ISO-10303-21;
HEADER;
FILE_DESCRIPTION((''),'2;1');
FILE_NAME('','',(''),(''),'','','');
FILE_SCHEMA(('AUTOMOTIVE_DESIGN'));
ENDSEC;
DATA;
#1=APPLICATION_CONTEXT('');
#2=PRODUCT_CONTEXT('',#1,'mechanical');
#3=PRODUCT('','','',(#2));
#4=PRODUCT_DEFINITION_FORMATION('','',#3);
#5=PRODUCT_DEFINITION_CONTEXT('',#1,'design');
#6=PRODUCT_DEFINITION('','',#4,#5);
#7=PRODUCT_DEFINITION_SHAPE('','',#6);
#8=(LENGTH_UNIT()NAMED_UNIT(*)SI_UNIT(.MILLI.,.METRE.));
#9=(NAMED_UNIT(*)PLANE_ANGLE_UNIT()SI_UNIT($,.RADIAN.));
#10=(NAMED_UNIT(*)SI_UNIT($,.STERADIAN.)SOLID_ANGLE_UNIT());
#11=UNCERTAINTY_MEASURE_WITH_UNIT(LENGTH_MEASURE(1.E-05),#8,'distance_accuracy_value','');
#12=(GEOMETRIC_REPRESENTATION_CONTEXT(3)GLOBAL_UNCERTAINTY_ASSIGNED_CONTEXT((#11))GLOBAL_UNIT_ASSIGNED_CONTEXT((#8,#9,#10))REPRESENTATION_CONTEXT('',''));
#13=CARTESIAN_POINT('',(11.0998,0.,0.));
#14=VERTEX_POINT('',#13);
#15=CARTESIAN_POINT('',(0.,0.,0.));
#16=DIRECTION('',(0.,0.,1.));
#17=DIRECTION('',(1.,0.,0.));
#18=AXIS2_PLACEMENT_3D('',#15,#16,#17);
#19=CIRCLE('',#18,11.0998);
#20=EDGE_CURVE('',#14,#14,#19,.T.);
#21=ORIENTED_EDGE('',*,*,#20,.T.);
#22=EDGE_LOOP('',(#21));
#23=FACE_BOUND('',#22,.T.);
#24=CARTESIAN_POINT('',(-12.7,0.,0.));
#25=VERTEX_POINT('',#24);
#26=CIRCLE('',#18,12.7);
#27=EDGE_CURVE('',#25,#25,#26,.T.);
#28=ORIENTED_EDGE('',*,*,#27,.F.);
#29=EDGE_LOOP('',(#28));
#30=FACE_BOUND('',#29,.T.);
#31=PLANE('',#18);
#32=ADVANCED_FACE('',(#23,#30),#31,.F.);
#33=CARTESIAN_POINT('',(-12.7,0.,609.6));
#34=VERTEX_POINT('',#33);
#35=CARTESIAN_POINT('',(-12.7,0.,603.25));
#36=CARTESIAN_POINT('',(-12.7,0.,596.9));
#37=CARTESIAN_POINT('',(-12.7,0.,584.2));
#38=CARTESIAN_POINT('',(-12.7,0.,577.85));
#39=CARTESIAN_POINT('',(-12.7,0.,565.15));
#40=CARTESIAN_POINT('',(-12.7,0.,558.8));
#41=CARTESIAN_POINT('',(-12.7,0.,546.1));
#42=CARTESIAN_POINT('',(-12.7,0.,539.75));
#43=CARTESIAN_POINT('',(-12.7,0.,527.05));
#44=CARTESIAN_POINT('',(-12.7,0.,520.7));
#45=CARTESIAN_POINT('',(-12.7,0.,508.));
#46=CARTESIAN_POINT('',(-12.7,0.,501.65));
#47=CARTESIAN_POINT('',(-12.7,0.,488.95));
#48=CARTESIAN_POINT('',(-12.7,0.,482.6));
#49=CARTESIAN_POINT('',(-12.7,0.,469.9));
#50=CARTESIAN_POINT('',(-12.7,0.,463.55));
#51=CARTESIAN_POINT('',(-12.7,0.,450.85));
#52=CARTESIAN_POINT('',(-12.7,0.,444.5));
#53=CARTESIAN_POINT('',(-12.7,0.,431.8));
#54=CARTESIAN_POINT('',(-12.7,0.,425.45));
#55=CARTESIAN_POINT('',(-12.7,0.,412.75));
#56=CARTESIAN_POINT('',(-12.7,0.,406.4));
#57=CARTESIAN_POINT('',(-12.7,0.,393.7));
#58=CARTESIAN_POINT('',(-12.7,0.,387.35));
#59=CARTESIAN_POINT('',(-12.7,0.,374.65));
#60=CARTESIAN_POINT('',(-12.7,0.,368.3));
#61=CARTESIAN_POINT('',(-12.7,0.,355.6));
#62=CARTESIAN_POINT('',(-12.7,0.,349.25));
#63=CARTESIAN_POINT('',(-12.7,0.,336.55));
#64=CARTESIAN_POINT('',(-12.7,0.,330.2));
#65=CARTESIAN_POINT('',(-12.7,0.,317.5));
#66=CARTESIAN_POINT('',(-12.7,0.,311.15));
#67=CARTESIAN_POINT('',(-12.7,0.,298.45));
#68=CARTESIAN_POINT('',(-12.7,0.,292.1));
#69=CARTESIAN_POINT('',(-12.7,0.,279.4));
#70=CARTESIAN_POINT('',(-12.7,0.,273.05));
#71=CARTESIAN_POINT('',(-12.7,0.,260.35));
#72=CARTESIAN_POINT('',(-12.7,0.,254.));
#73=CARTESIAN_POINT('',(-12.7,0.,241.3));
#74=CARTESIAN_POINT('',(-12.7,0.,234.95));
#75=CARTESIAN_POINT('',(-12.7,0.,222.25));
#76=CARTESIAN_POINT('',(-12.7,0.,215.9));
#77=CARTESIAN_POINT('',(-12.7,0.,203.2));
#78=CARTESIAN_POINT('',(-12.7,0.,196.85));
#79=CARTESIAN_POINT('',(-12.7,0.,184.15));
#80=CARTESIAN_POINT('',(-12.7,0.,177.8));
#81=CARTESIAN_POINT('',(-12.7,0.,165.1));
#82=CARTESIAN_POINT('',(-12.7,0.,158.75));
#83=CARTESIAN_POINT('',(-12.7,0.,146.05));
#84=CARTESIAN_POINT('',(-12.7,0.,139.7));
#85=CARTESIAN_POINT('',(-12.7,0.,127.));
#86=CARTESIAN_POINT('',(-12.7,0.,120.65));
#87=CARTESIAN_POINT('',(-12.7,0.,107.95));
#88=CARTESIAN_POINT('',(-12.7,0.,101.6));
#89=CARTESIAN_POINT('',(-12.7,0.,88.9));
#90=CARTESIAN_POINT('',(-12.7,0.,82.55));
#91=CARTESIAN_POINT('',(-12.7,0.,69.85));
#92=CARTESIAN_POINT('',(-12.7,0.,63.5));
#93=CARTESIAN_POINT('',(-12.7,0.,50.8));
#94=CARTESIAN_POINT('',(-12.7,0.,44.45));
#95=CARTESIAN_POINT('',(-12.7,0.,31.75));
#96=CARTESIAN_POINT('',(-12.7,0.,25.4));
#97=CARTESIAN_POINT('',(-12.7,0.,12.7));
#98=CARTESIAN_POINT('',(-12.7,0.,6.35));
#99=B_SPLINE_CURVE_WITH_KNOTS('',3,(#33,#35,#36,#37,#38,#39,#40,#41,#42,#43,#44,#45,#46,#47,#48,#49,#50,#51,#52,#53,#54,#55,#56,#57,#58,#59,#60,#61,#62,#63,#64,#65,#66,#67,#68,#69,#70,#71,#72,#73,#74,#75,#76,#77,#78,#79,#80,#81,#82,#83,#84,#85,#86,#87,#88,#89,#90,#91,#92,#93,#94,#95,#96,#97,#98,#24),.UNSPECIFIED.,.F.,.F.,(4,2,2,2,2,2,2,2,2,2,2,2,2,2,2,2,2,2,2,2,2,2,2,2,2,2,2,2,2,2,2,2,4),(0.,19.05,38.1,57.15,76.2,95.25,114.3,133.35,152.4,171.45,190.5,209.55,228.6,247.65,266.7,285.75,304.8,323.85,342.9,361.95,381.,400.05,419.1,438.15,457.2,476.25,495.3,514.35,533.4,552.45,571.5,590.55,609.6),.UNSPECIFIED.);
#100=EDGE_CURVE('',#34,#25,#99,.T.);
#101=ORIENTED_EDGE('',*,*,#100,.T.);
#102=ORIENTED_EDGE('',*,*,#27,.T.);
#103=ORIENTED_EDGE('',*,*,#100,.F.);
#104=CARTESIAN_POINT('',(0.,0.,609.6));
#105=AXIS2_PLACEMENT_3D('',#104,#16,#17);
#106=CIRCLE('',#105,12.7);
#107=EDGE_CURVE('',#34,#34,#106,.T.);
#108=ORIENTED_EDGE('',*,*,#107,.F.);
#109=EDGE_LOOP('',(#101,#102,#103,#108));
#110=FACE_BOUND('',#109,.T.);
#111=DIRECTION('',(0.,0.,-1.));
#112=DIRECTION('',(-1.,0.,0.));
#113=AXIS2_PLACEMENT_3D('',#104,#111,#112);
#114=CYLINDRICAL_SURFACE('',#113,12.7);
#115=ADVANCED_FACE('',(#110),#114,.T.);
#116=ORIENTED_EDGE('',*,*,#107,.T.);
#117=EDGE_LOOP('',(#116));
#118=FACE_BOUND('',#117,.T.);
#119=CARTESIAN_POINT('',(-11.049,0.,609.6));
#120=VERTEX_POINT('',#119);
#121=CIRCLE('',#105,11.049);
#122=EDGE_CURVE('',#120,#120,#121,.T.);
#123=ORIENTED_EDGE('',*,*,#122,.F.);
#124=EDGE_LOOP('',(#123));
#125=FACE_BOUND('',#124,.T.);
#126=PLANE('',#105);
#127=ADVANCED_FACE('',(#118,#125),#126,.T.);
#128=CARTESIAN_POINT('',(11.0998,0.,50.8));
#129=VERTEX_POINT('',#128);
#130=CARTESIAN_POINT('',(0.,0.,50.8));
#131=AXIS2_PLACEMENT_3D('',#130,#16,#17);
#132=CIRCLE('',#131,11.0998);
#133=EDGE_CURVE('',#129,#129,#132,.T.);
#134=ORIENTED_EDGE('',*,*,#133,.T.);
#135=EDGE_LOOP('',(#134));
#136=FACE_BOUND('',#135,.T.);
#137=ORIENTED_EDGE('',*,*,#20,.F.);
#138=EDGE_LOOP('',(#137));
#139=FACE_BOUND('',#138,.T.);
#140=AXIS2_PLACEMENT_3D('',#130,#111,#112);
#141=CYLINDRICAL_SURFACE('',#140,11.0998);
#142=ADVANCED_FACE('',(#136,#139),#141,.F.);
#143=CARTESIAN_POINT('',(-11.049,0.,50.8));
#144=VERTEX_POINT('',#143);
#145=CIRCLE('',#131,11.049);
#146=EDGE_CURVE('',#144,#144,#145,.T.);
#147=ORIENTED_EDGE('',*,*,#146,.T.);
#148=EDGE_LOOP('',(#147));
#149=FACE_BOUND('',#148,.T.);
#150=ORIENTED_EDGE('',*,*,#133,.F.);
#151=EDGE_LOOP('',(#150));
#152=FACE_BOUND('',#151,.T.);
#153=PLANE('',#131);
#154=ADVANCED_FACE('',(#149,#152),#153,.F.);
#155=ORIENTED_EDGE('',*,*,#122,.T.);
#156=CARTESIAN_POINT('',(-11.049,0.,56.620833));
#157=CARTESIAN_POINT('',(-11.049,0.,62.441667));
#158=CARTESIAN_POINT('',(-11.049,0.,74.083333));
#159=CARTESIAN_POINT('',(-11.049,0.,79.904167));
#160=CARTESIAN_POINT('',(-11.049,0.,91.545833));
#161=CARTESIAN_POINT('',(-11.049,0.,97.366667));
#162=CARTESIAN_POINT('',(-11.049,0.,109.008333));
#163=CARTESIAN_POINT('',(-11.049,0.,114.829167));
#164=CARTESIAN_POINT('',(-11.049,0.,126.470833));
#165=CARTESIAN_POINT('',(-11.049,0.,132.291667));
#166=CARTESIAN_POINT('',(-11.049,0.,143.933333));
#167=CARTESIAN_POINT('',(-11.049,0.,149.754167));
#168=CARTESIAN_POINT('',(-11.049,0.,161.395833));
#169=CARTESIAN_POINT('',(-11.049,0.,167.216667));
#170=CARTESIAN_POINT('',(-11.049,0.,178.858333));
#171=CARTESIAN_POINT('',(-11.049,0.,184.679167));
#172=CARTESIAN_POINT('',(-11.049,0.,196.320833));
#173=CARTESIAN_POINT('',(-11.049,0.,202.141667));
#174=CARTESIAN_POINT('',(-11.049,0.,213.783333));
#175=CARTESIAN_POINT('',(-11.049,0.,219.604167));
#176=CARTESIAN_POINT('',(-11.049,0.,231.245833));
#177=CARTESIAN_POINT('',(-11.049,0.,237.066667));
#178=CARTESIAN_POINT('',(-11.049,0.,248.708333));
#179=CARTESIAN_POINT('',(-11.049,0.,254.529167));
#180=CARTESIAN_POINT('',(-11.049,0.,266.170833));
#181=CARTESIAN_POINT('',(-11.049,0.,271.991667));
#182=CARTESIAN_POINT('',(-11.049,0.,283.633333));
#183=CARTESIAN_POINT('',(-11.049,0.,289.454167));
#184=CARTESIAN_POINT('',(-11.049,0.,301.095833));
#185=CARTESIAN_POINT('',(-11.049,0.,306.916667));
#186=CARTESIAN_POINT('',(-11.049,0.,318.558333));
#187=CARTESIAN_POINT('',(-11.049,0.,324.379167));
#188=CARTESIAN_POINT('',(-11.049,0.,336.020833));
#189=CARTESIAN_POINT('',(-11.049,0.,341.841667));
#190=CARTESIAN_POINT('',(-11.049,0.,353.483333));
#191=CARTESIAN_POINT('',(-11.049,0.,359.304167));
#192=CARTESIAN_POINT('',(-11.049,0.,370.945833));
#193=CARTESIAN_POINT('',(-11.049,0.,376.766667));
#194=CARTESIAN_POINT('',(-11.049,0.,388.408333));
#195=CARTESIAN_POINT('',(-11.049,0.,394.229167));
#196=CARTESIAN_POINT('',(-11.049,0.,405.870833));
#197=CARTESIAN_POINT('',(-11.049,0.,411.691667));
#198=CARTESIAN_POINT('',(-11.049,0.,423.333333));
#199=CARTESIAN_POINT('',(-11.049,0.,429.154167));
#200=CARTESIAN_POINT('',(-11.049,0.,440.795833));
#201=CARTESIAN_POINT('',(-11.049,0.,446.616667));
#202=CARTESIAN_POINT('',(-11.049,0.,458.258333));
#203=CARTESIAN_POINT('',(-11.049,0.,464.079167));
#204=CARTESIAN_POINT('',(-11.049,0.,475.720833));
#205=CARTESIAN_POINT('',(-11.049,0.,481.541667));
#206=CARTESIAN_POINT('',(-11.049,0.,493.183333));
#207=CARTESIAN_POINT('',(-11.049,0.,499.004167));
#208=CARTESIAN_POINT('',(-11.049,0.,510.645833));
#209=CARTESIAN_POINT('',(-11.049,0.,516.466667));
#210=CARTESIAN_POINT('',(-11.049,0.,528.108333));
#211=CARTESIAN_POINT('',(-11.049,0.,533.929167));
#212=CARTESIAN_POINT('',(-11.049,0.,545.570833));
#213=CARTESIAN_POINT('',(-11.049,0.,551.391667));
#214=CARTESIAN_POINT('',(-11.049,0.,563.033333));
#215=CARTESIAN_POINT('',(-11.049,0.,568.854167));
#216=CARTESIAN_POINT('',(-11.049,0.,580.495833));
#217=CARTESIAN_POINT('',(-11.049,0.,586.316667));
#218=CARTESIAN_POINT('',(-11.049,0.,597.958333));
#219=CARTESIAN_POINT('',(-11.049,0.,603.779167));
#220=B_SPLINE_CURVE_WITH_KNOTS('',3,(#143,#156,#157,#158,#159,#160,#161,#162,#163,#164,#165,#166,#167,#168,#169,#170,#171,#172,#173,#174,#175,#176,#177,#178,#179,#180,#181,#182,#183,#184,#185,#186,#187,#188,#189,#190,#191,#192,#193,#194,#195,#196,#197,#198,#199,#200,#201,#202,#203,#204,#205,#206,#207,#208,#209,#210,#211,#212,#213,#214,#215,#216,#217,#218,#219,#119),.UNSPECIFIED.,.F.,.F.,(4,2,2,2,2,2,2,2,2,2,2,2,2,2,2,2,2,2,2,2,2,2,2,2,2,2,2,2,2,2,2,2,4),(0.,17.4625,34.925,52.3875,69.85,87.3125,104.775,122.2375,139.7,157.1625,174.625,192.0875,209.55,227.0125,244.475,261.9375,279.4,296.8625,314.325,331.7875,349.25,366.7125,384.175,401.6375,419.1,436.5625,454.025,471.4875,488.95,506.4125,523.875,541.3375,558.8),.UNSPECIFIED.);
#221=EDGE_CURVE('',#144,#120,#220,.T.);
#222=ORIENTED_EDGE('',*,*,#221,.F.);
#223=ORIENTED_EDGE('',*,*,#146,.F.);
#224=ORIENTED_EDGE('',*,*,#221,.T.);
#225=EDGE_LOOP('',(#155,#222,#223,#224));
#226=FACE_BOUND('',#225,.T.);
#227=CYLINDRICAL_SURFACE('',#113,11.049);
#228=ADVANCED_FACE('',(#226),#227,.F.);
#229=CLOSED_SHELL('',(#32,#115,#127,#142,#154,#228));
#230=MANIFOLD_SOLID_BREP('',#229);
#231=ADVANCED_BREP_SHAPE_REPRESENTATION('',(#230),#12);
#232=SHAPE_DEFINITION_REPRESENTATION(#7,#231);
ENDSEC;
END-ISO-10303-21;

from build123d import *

# Parameters (mm, degrees)
SKETCH1_R           = 12.7
SKETCH1_R_2         = 11.049
BOSS_EXTRUDE1_DEPTH = 609.6
SKETCH2_R           = 11.0998
SKETCH2_R_2         = 11.049
CUT_EXTRUDE1_DEPTH  = 50.8


with BuildPart() as part:
    # Sketch1 → Boss-Extrude1 (new body)
    with BuildSketch(Plane.XY):
        with Locations(Location((0, 0, 0), (0, 0, 180))):
            Circle(SKETCH1_R)
        with Locations(Location((0, 0, 0), (0, 0, 180))):
            Circle(SKETCH1_R_2, mode=Mode.SUBTRACT)
    extrude(amount=BOSS_EXTRUDE1_DEPTH)

    # Sketch2 → Cut-Extrude1 (cut)
    with BuildSketch(Plane.XY):
        Circle(SKETCH2_R)
        with Locations(Location((0, 0, 0), (0, 0, 180))):
            Circle(SKETCH2_R_2, mode=Mode.SUBTRACT)
    extrude(amount=CUT_EXTRUDE1_DEPTH, mode=Mode.SUBTRACT)


solid = part.part
